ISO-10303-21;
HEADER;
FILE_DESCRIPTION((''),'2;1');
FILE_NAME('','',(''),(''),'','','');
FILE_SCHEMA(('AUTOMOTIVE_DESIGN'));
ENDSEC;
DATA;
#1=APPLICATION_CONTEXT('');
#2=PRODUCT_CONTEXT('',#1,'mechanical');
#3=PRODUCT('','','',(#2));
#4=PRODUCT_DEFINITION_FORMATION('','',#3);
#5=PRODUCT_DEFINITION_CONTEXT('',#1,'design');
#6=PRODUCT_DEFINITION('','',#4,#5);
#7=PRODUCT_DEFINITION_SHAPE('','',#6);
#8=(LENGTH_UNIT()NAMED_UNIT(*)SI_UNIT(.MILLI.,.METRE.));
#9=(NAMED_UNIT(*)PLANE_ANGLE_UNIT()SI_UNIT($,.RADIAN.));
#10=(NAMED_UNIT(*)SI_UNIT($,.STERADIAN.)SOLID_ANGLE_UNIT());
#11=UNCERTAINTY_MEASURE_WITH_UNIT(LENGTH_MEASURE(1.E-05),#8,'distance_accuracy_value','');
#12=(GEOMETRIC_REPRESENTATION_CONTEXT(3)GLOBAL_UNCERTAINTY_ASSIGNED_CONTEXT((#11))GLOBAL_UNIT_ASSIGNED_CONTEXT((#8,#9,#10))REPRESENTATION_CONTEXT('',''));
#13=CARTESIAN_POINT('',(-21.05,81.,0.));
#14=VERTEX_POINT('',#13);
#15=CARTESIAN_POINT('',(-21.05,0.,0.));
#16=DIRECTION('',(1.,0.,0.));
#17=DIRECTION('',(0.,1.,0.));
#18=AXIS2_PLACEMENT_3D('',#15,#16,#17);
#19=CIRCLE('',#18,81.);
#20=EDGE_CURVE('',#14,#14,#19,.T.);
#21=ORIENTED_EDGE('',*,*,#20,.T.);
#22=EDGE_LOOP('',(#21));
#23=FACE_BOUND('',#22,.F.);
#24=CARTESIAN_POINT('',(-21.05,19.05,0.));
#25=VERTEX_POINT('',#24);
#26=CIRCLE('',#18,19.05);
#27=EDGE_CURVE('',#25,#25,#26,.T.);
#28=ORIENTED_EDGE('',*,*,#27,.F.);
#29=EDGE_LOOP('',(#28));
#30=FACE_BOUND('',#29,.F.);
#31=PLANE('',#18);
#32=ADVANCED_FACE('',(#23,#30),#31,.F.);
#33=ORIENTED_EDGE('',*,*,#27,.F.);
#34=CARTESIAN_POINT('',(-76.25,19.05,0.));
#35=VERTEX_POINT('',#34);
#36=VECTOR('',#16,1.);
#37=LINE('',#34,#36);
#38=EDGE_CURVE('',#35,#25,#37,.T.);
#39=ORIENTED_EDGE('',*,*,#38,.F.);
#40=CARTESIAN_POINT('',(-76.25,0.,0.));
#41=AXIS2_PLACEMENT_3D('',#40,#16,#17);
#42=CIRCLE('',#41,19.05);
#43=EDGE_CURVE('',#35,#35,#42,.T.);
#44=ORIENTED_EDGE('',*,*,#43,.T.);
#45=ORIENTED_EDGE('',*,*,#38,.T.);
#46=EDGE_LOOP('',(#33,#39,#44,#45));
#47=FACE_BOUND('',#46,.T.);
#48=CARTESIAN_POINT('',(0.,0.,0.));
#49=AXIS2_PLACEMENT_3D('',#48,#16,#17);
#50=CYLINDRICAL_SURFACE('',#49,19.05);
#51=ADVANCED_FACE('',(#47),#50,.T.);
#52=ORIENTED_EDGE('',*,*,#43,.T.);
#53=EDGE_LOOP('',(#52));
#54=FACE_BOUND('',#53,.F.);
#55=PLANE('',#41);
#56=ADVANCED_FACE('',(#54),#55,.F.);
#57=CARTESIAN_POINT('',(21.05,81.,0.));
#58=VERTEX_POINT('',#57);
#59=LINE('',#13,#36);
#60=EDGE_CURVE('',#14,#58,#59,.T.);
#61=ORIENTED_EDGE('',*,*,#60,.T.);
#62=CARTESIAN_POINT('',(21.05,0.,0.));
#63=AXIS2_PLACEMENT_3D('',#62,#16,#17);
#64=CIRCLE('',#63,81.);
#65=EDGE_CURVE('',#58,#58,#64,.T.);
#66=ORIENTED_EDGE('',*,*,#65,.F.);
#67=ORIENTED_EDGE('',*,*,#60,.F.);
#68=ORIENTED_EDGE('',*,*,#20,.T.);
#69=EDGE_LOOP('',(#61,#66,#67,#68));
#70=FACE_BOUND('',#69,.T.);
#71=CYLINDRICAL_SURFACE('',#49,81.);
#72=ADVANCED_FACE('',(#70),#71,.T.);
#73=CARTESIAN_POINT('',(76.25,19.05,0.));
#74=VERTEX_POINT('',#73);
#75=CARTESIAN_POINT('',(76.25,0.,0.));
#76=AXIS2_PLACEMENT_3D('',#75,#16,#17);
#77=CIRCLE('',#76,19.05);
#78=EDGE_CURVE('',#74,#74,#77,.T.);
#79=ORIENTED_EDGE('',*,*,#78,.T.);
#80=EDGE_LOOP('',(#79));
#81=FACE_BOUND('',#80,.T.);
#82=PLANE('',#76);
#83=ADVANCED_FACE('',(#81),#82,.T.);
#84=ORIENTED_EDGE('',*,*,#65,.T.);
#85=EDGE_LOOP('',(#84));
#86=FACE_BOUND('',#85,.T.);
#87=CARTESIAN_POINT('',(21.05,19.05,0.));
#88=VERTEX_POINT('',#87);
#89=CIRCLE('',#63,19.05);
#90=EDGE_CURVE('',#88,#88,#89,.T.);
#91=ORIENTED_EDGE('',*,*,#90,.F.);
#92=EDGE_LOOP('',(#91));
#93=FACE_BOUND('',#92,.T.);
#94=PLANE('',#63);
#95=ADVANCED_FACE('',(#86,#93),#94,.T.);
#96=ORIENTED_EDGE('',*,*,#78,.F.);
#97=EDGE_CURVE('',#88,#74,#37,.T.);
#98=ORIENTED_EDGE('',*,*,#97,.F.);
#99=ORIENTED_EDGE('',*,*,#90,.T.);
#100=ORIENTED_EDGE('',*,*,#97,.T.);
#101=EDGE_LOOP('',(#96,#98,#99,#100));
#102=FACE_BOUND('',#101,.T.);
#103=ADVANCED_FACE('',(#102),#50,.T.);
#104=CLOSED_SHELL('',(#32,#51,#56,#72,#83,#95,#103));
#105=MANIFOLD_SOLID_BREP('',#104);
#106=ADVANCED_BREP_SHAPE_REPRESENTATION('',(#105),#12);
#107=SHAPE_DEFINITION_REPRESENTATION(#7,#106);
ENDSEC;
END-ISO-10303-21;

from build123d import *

# Parameters (mm, degrees)
F0_R     = 81
F1_DEPTH = 21.05
F2_R     = 19.05
F3_DEPTH = 76.25


with BuildPart() as f1:
    # F0 (on Right) → F1 (new body, symmetric)
    with BuildSketch(Plane.YZ):
        Circle(F0_R)
    extrude(amount=F1_DEPTH, both=True)

    # F2 (on Right) → F3 (join, symmetric)
    with BuildSketch(Plane.YZ):
        Circle(F2_R)
    extrude(amount=F3_DEPTH, both=True)


solid = f1.part
